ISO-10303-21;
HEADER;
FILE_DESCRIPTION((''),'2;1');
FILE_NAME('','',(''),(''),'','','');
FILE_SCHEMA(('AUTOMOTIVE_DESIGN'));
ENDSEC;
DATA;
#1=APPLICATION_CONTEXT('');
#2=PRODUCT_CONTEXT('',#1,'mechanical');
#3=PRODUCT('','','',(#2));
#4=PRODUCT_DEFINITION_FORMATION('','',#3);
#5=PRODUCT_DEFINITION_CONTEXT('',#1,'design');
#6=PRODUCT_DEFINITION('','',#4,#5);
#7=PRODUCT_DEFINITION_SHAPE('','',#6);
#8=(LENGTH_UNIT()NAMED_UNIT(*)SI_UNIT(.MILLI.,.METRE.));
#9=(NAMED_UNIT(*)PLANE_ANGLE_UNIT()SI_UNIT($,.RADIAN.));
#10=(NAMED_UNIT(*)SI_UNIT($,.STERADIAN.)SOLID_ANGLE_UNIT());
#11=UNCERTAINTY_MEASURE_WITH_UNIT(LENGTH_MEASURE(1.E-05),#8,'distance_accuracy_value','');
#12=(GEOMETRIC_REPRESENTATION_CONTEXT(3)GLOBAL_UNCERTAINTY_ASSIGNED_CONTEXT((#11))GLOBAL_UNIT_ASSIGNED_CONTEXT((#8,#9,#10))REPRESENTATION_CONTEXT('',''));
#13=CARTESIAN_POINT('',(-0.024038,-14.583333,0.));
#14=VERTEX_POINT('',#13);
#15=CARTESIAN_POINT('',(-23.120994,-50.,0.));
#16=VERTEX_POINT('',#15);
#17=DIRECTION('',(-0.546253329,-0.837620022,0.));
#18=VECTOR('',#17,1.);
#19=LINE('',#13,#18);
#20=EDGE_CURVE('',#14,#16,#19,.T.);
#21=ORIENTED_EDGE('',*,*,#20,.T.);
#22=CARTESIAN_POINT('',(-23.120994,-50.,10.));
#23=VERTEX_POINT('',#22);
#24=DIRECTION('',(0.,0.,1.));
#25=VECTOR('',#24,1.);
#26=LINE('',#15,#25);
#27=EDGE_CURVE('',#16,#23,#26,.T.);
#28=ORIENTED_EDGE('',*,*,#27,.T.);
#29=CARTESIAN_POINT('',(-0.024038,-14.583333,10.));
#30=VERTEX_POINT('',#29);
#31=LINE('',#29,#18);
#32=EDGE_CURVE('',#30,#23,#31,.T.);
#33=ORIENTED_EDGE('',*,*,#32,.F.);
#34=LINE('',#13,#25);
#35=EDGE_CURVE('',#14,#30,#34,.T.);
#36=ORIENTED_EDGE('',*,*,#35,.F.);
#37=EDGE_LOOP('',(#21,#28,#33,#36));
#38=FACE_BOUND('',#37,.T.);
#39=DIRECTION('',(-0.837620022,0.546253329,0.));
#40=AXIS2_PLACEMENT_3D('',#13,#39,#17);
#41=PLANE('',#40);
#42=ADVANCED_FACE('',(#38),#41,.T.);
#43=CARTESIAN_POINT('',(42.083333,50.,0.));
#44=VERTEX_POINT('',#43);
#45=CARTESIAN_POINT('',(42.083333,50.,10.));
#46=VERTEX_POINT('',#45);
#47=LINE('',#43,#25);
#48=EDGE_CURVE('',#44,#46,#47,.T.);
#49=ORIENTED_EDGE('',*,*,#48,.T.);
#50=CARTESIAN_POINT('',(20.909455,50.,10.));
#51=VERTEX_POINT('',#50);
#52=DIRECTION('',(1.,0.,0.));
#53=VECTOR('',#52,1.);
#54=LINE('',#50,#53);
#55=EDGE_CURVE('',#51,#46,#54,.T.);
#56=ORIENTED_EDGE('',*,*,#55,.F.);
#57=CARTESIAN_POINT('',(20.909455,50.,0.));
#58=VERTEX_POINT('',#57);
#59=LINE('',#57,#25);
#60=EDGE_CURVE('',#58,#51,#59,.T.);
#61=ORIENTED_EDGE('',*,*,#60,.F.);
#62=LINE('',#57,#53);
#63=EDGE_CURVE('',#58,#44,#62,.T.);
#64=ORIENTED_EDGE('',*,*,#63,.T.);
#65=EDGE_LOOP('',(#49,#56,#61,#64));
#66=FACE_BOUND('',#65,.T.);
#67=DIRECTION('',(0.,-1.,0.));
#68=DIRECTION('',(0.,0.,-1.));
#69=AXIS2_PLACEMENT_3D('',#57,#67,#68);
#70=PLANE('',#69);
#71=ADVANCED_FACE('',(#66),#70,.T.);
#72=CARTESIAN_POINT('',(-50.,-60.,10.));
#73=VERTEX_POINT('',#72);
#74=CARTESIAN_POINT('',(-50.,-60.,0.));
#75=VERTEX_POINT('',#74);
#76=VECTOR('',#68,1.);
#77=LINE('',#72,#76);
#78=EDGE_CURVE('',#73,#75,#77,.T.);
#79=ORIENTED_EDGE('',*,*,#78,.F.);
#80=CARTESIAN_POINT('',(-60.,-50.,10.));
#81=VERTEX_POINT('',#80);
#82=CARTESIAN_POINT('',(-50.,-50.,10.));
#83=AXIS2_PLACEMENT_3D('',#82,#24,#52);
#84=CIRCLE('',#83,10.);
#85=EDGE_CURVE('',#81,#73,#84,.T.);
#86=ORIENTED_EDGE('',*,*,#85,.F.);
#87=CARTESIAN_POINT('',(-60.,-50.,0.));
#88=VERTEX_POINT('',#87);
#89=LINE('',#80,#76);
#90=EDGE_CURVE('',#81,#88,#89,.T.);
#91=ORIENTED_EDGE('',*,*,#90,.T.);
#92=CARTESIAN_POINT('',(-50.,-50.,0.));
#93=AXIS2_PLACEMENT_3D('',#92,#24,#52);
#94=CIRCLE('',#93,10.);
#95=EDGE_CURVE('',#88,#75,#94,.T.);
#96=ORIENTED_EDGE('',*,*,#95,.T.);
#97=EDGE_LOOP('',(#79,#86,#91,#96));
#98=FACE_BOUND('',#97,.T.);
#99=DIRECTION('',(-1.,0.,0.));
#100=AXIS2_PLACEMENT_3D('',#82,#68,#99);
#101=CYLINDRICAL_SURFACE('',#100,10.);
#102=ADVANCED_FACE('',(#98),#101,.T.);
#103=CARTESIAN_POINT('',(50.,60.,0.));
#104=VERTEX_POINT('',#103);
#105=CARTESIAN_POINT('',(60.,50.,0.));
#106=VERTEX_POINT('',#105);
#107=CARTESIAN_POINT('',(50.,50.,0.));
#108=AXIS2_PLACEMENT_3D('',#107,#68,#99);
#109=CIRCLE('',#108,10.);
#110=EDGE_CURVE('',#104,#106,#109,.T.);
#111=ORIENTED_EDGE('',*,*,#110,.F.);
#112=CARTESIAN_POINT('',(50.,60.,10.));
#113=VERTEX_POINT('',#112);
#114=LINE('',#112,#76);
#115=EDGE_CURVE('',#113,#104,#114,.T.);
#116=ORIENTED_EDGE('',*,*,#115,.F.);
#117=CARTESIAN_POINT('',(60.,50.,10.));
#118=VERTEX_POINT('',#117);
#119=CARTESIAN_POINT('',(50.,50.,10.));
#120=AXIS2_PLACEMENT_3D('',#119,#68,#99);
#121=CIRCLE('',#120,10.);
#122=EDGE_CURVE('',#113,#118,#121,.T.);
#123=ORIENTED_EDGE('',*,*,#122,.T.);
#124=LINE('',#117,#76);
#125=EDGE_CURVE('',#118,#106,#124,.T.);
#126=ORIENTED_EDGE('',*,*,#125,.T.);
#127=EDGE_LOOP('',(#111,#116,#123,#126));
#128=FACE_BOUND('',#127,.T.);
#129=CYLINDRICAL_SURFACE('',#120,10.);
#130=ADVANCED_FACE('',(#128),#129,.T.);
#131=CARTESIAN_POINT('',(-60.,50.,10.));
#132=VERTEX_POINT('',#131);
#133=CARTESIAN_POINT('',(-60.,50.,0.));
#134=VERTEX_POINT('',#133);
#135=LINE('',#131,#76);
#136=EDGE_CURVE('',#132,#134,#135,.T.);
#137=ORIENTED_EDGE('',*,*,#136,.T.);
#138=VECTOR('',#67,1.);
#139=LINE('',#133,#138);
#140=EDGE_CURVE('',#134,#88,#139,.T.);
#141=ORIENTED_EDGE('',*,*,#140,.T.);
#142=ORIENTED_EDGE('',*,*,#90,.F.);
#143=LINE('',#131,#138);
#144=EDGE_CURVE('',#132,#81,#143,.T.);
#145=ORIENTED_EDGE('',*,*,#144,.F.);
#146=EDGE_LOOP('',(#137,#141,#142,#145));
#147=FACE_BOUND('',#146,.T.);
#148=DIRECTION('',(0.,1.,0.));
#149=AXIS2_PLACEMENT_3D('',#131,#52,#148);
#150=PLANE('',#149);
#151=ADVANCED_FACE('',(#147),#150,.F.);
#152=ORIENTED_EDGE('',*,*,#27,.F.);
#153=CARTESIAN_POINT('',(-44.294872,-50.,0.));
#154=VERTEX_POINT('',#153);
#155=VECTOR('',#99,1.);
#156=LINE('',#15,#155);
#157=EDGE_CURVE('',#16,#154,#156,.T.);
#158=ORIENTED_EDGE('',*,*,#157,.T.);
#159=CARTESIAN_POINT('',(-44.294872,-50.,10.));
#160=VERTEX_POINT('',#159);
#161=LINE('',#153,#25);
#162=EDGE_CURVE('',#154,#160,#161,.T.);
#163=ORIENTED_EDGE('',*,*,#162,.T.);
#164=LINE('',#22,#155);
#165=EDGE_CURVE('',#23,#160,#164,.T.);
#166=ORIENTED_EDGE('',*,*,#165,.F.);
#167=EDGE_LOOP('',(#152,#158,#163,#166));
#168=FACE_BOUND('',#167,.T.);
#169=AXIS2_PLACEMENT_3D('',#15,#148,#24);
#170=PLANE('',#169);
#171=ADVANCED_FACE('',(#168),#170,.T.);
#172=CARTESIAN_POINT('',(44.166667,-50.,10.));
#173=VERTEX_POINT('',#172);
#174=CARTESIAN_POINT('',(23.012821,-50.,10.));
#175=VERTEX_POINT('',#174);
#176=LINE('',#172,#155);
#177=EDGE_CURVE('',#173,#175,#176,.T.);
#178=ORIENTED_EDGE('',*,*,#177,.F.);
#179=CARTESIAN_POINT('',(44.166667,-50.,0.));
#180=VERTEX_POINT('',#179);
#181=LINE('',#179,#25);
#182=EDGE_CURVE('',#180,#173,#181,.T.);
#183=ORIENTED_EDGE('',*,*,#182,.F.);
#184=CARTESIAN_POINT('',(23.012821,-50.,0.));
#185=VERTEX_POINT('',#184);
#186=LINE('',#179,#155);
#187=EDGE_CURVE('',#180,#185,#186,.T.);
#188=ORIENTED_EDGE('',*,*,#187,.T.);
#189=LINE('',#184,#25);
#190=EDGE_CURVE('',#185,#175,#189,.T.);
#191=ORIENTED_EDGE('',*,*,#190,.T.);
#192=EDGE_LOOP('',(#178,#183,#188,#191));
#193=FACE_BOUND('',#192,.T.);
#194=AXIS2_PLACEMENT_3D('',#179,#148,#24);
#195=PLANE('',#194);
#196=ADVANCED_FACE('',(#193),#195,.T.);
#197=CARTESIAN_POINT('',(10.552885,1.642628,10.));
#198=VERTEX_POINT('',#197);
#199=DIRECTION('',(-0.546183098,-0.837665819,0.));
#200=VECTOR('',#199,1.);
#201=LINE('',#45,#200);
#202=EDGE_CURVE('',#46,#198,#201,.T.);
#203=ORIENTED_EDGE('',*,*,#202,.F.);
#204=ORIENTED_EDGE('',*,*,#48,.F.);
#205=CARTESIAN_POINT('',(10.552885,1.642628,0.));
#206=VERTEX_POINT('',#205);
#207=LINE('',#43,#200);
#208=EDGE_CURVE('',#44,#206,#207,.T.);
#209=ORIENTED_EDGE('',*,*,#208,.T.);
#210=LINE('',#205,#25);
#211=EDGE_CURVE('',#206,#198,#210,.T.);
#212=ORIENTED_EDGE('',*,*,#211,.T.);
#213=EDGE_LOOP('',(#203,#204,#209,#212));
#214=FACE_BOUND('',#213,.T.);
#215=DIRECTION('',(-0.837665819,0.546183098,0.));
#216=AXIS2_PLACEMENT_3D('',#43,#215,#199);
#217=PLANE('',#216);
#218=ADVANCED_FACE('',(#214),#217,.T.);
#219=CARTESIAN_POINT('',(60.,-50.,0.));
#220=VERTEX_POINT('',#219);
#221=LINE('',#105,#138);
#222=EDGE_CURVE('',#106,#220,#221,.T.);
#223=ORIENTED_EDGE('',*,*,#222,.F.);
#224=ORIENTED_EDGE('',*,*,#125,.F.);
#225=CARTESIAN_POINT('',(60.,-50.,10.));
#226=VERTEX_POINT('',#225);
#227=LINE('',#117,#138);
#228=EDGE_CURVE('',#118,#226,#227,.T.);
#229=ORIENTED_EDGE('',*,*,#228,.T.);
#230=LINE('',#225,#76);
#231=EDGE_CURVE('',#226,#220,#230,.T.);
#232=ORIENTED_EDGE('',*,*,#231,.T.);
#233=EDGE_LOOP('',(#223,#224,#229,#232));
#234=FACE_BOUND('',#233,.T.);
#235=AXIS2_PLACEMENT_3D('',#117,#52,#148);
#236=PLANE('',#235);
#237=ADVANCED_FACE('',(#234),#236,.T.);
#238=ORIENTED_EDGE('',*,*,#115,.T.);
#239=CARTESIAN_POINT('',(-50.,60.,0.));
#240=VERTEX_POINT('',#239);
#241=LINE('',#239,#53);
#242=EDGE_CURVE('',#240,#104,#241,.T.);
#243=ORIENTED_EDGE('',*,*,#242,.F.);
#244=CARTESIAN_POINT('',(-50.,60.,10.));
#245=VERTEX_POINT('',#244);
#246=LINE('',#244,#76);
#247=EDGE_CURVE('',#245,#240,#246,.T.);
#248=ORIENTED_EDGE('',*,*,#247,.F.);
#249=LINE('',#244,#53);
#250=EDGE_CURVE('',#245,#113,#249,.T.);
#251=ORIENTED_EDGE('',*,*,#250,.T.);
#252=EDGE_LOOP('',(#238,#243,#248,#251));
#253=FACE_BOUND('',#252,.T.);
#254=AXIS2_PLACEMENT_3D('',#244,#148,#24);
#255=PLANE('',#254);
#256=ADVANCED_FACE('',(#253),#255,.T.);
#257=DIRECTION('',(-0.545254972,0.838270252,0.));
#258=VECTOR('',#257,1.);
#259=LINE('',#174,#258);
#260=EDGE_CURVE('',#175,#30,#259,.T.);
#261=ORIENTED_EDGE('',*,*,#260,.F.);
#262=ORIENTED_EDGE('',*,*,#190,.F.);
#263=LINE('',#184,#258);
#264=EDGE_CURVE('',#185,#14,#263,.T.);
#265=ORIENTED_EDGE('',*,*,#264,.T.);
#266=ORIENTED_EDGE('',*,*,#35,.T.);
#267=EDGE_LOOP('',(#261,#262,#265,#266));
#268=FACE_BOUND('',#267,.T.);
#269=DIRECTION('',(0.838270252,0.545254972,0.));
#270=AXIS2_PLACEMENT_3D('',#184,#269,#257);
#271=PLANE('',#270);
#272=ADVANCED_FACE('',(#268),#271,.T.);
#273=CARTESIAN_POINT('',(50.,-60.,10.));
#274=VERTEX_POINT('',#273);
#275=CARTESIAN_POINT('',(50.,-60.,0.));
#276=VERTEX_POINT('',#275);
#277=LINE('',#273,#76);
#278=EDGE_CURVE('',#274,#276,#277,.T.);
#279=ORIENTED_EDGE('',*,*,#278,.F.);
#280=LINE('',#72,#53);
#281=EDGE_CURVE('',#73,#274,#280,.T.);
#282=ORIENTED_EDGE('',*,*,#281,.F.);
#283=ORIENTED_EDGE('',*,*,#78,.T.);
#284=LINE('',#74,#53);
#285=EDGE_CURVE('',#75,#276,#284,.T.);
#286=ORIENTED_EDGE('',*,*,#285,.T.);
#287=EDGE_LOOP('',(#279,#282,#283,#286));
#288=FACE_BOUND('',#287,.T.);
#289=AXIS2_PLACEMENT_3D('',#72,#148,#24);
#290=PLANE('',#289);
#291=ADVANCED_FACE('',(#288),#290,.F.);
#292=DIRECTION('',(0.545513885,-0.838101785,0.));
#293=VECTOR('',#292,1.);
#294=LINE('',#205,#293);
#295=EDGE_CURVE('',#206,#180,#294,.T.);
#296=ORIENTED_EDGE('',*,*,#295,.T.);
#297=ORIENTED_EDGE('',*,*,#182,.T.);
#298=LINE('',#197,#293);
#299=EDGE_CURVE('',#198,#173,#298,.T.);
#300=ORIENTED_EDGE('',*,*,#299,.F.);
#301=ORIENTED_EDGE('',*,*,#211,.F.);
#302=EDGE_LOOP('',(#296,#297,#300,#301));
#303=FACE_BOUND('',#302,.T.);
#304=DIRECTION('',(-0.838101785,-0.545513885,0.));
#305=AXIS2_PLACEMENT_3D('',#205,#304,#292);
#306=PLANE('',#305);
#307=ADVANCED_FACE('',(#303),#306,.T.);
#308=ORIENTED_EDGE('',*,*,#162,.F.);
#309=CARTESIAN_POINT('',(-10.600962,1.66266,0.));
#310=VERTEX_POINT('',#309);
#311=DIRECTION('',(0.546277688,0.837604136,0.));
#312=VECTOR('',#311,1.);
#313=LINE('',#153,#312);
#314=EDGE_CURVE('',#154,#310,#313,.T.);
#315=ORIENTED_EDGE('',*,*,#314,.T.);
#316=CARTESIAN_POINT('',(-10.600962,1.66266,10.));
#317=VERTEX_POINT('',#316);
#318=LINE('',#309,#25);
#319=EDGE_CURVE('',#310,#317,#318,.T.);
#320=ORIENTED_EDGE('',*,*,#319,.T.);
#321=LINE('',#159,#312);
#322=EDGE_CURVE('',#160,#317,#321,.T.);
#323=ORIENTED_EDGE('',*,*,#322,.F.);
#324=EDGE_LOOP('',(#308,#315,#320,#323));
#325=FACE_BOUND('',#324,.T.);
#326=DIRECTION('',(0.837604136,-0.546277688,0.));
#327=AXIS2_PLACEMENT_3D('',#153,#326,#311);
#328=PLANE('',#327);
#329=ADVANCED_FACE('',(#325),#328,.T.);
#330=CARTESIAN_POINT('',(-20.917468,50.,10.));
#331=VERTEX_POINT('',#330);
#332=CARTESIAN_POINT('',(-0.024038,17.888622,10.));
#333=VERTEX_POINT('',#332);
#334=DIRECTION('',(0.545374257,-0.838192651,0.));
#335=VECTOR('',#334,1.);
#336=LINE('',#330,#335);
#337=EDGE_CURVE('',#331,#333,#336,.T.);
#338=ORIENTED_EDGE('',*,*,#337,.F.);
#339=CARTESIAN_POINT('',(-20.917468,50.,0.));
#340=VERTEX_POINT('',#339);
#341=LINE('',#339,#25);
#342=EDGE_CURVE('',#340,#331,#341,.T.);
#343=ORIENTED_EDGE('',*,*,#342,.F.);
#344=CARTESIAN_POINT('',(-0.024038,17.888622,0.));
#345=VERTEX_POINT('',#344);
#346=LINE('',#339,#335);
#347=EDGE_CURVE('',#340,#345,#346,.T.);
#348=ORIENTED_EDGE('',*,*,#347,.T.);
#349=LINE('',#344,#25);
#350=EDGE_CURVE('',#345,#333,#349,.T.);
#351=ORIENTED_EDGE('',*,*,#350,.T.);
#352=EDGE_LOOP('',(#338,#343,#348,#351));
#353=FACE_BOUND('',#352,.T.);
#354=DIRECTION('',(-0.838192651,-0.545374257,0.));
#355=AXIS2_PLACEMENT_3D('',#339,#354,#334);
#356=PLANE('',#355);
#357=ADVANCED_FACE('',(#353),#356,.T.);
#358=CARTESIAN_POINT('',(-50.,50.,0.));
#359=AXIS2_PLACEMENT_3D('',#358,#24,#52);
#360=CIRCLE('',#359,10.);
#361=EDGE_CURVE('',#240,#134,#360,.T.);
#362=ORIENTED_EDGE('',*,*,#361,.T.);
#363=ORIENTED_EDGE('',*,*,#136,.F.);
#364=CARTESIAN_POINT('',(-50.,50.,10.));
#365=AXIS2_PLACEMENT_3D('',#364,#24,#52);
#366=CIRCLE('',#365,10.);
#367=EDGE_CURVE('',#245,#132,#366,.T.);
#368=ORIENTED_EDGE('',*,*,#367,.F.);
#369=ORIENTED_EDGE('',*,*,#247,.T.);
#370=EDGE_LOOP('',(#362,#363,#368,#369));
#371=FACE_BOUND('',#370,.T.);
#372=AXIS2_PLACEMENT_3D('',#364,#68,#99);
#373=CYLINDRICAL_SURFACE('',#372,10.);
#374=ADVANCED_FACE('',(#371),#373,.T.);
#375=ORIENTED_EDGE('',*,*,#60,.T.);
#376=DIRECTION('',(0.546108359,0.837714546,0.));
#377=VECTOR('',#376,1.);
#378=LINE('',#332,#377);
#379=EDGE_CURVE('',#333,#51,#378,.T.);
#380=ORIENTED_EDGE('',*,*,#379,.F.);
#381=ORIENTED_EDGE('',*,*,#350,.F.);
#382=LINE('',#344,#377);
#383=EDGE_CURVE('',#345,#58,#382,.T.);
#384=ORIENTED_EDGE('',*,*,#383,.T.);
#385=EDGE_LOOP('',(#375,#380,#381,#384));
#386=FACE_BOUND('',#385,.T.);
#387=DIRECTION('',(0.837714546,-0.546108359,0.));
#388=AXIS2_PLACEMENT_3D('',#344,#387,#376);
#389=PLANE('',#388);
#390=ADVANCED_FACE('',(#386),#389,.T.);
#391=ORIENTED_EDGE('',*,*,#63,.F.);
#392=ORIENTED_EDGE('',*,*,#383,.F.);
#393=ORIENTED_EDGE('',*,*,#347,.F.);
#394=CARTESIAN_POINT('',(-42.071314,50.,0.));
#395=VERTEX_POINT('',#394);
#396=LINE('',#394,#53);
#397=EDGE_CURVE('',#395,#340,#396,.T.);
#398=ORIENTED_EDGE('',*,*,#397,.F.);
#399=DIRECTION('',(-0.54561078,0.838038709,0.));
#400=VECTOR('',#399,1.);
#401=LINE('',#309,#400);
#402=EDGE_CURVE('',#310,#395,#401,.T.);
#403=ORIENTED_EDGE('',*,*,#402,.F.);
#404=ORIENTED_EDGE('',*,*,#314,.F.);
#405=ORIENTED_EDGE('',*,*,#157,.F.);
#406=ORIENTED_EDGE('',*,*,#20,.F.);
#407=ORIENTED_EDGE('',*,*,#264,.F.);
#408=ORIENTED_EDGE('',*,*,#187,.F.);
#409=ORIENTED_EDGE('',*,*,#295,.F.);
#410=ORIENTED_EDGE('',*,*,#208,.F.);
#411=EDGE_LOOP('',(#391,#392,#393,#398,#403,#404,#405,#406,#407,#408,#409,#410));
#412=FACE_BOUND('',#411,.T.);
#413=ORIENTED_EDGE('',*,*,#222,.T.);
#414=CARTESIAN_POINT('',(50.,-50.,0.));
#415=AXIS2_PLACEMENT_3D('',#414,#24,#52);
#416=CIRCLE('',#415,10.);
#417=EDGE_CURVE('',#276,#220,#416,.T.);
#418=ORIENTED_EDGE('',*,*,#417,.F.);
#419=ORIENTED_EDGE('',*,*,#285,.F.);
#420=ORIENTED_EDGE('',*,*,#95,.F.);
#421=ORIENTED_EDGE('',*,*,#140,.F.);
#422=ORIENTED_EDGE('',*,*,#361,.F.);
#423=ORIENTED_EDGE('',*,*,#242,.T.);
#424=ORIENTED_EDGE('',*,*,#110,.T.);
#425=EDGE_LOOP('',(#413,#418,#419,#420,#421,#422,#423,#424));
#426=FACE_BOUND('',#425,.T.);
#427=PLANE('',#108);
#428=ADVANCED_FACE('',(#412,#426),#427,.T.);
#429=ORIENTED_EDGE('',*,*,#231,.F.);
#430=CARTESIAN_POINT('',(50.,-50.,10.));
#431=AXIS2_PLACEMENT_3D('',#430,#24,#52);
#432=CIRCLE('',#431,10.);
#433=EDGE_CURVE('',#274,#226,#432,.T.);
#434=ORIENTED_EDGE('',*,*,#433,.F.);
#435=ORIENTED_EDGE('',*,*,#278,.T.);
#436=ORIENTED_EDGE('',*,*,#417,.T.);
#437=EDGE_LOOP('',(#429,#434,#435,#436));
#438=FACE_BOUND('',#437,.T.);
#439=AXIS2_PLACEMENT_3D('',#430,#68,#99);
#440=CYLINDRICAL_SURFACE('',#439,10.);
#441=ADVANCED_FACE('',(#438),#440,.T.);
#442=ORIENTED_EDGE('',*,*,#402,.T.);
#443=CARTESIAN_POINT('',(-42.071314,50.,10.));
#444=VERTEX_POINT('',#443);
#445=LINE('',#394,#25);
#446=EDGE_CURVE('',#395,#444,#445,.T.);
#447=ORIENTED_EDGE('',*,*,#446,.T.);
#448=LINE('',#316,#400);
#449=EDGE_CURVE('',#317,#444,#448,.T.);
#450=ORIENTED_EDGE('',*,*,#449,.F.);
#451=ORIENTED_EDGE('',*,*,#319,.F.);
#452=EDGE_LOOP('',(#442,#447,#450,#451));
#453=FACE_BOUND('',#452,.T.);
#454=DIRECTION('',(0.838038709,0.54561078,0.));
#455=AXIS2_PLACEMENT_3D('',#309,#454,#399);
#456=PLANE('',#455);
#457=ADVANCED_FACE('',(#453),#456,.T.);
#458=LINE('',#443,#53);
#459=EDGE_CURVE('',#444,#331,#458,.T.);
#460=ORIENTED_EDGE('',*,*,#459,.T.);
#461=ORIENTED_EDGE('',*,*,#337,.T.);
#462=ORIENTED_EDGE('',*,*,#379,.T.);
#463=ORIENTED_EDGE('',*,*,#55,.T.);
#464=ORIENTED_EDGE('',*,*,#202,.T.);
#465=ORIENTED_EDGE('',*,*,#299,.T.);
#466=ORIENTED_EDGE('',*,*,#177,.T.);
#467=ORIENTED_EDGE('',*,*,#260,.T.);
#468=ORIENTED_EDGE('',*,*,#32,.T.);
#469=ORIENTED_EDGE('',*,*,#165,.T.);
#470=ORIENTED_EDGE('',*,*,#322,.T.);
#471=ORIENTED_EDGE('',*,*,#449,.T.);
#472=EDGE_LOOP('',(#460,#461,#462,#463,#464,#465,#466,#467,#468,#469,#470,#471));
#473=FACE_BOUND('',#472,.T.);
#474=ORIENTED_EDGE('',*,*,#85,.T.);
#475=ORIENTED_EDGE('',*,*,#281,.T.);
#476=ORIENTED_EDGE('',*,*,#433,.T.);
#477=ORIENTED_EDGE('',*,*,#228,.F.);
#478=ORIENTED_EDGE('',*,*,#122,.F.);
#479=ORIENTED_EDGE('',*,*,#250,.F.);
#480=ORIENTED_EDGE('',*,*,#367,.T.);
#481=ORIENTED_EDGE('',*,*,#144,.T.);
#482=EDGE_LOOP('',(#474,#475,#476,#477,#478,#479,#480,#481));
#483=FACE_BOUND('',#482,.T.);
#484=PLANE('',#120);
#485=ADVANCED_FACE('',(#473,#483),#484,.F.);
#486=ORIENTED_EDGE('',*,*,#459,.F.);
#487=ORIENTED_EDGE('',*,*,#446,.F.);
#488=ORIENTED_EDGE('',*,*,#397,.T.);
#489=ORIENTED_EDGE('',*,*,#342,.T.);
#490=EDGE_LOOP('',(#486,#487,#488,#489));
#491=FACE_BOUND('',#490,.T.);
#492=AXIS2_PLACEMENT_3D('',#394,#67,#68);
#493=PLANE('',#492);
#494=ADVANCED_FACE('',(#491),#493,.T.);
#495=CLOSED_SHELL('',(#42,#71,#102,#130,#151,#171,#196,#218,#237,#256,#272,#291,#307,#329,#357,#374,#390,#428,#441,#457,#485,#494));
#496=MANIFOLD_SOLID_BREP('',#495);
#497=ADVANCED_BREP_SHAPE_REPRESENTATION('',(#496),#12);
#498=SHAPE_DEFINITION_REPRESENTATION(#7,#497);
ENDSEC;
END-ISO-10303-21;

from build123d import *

# Parameters (mm, degrees)
BOSS_EXTRUDE1_DEPTH = 10
CUT_EXTRUDE37_DEPTH = 10


with BuildPart() as part:
    # Sketch1 → Boss-Extrude1 (new body)
    with BuildSketch(Plane.XY):
        with BuildLine():
            Line((-50, 60), (50, 60))
            ThreePointArc((50, 60), (57.071067812, 57.071067812), (60, 50))
            Line((60, 50), (60, -50))
            ThreePointArc((60, -50), (57.071067812, -57.071067812), (50, -60))
            Line((50, -60), (-50, -60))
            ThreePointArc((-50, -60), (-57.071067812, -57.071067812), (-60, -50))
            Line((-60, -50), (-60, 50))
            ThreePointArc((-60, 50), (-57.071067812, 57.071067812), (-50, 60))
        make_face()
    extrude(amount=BOSS_EXTRUDE1_DEPTH)

    # Sketch2 → Cut-Extrude37 (cut)
    with BuildSketch(Plane.XY.offset(10)):
        Polygon((-42.071314103, 50), (-20.917467949, 50), (-0.024038462, 17.888621795), (20.909455128, 50), (42.083333333, 50), (10.552884615, 1.642628205), (44.166666667, -50), (23.012820513, -50), (-0.024038462, -14.583333333), (-23.12099359, -50), (-44.294871795, -50), (-10.600961538, 1.662660256), align=None)
    extrude(amount=-CUT_EXTRUDE37_DEPTH, mode=Mode.SUBTRACT)


solid = part.part
